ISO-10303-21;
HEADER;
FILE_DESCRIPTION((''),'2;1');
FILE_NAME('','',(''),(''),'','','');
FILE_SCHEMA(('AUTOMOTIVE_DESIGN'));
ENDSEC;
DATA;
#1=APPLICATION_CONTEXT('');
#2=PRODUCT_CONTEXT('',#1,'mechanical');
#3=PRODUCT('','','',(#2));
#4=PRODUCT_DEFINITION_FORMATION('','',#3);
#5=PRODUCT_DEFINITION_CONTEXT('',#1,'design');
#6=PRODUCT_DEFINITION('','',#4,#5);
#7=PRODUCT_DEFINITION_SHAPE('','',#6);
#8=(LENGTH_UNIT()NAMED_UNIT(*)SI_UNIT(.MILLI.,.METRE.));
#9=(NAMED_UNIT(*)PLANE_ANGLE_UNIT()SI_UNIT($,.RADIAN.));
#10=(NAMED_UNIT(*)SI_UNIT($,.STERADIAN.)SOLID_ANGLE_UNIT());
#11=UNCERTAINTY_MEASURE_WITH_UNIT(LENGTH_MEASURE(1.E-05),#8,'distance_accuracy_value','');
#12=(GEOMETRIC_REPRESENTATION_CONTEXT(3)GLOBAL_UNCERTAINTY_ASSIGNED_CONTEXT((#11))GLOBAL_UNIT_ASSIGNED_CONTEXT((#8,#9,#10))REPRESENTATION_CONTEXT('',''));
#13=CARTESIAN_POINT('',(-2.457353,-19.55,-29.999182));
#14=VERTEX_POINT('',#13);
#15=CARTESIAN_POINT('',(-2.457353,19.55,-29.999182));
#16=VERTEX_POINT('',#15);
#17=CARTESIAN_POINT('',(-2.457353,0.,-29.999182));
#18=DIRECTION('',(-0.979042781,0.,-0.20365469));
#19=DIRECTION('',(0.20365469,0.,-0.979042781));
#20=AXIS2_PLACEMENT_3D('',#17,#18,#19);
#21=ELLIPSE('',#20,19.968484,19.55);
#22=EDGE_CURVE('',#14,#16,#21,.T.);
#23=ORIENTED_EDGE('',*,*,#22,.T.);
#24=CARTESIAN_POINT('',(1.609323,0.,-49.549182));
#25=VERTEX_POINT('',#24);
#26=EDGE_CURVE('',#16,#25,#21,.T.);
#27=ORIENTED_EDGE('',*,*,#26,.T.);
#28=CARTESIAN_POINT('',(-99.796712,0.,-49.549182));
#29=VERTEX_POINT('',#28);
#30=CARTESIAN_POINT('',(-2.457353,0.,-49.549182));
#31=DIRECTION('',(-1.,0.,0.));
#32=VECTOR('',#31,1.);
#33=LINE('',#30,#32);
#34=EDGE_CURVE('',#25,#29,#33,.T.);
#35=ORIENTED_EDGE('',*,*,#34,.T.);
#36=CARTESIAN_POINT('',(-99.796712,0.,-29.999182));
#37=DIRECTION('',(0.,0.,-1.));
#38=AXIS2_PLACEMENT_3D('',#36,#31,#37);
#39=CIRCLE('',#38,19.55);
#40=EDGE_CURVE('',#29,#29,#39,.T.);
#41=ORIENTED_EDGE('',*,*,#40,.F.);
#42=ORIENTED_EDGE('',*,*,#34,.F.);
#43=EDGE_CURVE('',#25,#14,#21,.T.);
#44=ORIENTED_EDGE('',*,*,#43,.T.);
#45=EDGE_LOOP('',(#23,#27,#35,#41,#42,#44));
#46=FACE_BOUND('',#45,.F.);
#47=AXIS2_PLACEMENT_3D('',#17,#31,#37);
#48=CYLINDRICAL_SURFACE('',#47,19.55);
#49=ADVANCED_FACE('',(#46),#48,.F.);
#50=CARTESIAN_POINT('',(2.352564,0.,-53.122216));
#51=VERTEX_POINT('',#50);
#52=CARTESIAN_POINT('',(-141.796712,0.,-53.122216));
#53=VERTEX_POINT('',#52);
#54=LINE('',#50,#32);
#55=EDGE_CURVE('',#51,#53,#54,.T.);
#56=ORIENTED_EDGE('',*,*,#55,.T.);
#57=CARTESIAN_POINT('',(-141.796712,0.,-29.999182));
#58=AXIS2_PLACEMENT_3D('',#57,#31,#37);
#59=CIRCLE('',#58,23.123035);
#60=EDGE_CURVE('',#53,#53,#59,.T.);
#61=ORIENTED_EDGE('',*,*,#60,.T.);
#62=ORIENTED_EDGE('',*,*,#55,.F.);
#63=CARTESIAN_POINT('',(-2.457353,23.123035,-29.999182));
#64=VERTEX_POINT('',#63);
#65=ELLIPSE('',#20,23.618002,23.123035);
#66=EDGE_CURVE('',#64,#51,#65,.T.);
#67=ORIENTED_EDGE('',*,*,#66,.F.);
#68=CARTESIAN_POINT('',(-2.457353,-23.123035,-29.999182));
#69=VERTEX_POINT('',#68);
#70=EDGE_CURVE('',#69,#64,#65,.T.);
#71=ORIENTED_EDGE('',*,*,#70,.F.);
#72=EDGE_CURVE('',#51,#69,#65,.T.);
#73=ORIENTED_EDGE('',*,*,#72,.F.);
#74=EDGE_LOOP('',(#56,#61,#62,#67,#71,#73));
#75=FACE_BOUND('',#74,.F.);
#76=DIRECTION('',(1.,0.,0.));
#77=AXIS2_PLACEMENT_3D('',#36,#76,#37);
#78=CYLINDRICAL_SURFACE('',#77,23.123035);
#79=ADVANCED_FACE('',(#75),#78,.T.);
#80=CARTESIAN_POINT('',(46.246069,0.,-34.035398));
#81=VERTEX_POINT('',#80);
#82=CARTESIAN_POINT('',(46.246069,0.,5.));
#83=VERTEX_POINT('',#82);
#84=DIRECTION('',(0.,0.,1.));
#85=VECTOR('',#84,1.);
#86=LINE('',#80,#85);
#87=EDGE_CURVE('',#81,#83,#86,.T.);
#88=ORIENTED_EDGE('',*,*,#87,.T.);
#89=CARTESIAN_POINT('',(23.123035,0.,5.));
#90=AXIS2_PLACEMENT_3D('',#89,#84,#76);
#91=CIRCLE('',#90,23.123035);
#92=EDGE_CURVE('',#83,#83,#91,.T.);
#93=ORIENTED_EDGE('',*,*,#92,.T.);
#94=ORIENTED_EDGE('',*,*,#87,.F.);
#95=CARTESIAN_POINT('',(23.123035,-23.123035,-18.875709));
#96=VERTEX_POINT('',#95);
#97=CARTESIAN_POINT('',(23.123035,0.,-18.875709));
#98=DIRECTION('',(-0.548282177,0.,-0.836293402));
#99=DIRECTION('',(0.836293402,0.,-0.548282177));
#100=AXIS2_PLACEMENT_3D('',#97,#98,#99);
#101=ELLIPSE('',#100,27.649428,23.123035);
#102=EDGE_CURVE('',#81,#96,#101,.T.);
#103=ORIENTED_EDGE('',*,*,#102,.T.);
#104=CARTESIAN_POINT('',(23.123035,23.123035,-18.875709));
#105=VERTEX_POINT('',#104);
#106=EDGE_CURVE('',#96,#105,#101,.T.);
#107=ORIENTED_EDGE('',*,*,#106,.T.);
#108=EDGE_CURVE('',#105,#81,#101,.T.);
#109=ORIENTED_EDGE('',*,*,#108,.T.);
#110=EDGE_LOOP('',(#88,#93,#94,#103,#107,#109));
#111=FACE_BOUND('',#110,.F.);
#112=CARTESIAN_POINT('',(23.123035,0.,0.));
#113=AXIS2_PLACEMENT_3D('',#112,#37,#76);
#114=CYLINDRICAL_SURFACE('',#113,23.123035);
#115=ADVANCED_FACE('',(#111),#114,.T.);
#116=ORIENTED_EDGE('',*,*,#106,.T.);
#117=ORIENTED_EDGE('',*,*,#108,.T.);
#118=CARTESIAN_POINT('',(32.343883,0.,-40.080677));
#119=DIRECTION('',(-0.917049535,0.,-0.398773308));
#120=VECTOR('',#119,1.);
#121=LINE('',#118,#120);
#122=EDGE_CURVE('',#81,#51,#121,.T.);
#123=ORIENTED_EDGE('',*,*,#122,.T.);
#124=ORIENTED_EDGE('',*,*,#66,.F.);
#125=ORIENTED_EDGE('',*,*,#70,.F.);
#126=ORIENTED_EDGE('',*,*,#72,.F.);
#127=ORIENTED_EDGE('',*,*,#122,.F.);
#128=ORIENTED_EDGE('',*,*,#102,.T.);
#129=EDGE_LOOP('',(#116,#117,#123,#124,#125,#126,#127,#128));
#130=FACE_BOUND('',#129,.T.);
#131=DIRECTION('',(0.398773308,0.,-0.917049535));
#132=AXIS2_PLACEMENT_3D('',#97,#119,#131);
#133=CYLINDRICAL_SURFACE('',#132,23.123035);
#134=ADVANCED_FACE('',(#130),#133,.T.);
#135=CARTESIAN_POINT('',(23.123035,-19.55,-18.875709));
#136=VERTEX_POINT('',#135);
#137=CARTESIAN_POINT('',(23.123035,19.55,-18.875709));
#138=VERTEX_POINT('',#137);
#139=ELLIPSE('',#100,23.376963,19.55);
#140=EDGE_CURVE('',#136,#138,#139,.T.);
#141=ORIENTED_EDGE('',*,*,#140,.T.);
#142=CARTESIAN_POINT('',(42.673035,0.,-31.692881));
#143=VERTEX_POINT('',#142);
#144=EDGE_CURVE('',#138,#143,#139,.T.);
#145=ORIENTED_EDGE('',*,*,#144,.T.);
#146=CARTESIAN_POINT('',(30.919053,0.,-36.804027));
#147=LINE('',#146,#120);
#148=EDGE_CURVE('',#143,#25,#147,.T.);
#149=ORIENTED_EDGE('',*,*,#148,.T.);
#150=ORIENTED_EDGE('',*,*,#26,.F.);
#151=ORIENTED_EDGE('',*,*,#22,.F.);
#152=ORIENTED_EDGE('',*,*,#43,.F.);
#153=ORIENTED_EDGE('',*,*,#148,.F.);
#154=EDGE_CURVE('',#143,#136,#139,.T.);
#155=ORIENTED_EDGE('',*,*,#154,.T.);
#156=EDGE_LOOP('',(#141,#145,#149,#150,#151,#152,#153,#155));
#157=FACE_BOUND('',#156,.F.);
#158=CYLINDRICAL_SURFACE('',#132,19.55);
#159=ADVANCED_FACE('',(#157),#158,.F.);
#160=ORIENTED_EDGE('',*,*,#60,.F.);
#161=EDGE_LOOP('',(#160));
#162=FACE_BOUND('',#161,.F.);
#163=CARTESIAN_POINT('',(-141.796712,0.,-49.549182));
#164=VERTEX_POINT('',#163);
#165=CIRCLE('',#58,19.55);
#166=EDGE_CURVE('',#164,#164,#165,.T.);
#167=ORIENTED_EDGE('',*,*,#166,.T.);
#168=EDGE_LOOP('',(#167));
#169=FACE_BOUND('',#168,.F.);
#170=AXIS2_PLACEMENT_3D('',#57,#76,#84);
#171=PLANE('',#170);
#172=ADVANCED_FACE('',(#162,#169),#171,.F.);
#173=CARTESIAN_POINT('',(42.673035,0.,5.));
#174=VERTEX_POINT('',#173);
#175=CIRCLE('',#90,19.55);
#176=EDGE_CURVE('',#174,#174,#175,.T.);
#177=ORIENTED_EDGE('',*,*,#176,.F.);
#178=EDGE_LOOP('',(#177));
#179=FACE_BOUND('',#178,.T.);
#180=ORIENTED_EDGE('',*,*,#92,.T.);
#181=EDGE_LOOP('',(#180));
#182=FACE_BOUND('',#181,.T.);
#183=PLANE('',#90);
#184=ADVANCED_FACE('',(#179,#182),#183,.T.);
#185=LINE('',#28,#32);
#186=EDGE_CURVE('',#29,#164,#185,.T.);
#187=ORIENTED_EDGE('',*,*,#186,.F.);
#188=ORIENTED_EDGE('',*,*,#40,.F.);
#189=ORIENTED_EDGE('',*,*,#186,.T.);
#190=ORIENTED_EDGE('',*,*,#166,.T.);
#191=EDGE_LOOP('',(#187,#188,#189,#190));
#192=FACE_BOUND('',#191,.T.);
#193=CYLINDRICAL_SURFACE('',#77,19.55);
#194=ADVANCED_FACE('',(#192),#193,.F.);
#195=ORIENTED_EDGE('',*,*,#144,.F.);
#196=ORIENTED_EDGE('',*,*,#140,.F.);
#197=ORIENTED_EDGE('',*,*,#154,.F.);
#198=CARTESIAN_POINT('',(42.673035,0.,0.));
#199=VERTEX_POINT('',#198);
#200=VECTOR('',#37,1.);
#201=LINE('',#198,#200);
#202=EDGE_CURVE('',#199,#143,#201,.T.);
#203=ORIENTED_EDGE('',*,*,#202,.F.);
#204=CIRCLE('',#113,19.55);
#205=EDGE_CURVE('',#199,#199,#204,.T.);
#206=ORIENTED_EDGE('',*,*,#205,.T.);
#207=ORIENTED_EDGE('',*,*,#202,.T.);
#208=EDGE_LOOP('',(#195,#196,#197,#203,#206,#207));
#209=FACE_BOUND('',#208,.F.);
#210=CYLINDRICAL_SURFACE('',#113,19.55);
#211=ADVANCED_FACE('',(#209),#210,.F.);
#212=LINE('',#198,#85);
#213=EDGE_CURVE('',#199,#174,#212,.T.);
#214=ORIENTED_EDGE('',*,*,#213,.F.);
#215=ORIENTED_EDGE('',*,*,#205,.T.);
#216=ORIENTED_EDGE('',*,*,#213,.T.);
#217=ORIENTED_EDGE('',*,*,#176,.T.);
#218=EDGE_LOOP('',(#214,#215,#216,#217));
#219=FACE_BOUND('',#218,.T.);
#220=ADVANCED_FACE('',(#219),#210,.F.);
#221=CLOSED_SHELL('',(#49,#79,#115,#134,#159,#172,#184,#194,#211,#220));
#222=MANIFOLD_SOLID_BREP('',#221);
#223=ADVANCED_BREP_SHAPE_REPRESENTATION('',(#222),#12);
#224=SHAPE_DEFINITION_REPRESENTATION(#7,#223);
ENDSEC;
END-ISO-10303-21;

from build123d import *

# Parameters (mm, degrees)
F1_R     = 23.1230345184
F1_R_2   = 19.55
F3_DEPTH = 5
F4_DEPTH = 42


with BuildPart() as f2:
    # F2: sweep along a path in F0
    with BuildLine(Plane.XZ) as f2_path:
        Line((23.1230345184, 0), (23.1230345184, -18.8757088035))
        Line((23.1230345184, -18.8757088035), (-2.4573525631, -29.9991816282))
        Line((-2.4573525631, -29.9991816282), (-99.7967123985, -29.9991816282))
    # F1 (on Top) → F2 (sweep)
    with BuildSketch(Plane.XY):
        with Locations((23.1230345184, 0)):
            Circle(F1_R)
        with Locations((23.1230345184, 0)):
            Circle(F1_R_2, mode=Mode.SUBTRACT)
    sweep(path=f2_path.line, transition=Transition.RIGHT)

    # F1 (on Top) → F3 (join)
    with BuildSketch(Plane.XY):
        with Locations((23.1230345184, 0)):
            Circle(F1_R)
        with Locations((23.1230345184, 0)):
            Circle(F1_R_2, mode=Mode.SUBTRACT)
    extrude(amount=F3_DEPTH)

    # F4 (add): a face of the model
    f4_faces = [f2.faces().sort_by_distance(p)[0] for p in [
        (-99.7967123985, 0, -7.5301652902),
    ]]
    extrude(f4_faces, amount=F4_DEPTH)


solid = f2.part
